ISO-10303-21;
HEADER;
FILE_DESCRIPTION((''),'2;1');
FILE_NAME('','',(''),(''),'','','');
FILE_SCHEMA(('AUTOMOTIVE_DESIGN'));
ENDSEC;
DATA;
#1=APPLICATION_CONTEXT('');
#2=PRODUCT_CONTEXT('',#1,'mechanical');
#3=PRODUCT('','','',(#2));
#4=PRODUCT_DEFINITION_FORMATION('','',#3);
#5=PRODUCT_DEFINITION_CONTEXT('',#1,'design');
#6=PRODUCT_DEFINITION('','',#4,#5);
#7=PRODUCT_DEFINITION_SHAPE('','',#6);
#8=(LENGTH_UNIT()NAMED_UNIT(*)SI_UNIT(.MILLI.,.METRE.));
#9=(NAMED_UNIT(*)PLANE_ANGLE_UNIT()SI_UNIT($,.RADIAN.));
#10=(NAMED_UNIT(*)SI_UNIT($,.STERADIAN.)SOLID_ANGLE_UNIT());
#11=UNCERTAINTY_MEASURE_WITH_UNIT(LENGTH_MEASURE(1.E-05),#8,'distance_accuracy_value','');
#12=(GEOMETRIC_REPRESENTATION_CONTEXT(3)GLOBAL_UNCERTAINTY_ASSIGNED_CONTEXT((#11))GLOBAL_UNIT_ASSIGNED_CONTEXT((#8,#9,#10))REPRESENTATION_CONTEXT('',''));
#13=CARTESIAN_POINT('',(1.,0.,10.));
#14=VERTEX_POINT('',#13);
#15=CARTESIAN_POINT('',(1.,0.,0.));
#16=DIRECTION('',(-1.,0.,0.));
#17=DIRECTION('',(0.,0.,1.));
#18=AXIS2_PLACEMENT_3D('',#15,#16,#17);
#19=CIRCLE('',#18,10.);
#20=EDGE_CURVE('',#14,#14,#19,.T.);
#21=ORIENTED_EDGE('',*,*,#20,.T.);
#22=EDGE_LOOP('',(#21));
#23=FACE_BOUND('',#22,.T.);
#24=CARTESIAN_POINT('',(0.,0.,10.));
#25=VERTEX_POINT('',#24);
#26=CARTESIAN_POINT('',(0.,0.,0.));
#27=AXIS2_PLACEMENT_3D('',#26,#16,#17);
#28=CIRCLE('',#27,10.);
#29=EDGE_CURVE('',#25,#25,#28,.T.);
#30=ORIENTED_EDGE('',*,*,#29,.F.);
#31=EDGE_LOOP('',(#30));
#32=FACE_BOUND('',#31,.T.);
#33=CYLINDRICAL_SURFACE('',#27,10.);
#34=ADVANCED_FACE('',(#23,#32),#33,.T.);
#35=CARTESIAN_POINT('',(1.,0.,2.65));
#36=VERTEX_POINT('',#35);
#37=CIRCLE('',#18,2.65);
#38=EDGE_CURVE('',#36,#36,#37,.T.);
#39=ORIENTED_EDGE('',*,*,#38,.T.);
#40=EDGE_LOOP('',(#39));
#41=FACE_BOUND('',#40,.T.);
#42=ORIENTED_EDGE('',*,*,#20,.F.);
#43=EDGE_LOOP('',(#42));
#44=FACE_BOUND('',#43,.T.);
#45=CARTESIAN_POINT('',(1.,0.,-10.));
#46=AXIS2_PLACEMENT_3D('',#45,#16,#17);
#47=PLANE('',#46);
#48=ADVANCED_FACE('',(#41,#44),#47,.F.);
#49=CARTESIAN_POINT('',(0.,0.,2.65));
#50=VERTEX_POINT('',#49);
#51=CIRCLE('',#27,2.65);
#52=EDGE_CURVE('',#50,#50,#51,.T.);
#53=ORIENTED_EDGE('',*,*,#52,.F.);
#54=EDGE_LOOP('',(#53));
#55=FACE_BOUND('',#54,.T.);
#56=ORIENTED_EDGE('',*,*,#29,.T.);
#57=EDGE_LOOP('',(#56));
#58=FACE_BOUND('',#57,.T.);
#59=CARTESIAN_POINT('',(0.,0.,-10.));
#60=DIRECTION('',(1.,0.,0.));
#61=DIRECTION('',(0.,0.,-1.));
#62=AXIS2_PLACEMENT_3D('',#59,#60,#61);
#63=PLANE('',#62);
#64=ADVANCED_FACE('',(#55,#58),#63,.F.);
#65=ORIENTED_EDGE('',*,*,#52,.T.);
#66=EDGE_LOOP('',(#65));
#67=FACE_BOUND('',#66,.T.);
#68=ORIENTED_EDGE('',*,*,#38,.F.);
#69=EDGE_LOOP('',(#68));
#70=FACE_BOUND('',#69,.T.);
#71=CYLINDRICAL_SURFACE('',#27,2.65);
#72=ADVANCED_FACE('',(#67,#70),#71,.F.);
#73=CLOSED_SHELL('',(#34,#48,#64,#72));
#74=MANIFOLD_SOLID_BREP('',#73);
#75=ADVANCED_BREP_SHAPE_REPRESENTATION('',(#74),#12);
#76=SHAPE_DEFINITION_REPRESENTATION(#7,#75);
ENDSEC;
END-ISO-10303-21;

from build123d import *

# Parameters (mm, degrees)
ESQUISSE1_W = 1
ESQUISSE1_H = 7.35


with BuildPart() as part:
    # Esquisse1 → Base-Révolution (revolve)
    with BuildSketch(Plane(origin=(0, 0, 0), x_dir=(1, 0, 0), z_dir=(0, 1, 0))):
        with Locations((0.5, 6.325)):
            Rectangle(ESQUISSE1_W, ESQUISSE1_H)
    revolve(axis=Axis((0, 0, 0), (1, 0, 0)))


solid = part.part
